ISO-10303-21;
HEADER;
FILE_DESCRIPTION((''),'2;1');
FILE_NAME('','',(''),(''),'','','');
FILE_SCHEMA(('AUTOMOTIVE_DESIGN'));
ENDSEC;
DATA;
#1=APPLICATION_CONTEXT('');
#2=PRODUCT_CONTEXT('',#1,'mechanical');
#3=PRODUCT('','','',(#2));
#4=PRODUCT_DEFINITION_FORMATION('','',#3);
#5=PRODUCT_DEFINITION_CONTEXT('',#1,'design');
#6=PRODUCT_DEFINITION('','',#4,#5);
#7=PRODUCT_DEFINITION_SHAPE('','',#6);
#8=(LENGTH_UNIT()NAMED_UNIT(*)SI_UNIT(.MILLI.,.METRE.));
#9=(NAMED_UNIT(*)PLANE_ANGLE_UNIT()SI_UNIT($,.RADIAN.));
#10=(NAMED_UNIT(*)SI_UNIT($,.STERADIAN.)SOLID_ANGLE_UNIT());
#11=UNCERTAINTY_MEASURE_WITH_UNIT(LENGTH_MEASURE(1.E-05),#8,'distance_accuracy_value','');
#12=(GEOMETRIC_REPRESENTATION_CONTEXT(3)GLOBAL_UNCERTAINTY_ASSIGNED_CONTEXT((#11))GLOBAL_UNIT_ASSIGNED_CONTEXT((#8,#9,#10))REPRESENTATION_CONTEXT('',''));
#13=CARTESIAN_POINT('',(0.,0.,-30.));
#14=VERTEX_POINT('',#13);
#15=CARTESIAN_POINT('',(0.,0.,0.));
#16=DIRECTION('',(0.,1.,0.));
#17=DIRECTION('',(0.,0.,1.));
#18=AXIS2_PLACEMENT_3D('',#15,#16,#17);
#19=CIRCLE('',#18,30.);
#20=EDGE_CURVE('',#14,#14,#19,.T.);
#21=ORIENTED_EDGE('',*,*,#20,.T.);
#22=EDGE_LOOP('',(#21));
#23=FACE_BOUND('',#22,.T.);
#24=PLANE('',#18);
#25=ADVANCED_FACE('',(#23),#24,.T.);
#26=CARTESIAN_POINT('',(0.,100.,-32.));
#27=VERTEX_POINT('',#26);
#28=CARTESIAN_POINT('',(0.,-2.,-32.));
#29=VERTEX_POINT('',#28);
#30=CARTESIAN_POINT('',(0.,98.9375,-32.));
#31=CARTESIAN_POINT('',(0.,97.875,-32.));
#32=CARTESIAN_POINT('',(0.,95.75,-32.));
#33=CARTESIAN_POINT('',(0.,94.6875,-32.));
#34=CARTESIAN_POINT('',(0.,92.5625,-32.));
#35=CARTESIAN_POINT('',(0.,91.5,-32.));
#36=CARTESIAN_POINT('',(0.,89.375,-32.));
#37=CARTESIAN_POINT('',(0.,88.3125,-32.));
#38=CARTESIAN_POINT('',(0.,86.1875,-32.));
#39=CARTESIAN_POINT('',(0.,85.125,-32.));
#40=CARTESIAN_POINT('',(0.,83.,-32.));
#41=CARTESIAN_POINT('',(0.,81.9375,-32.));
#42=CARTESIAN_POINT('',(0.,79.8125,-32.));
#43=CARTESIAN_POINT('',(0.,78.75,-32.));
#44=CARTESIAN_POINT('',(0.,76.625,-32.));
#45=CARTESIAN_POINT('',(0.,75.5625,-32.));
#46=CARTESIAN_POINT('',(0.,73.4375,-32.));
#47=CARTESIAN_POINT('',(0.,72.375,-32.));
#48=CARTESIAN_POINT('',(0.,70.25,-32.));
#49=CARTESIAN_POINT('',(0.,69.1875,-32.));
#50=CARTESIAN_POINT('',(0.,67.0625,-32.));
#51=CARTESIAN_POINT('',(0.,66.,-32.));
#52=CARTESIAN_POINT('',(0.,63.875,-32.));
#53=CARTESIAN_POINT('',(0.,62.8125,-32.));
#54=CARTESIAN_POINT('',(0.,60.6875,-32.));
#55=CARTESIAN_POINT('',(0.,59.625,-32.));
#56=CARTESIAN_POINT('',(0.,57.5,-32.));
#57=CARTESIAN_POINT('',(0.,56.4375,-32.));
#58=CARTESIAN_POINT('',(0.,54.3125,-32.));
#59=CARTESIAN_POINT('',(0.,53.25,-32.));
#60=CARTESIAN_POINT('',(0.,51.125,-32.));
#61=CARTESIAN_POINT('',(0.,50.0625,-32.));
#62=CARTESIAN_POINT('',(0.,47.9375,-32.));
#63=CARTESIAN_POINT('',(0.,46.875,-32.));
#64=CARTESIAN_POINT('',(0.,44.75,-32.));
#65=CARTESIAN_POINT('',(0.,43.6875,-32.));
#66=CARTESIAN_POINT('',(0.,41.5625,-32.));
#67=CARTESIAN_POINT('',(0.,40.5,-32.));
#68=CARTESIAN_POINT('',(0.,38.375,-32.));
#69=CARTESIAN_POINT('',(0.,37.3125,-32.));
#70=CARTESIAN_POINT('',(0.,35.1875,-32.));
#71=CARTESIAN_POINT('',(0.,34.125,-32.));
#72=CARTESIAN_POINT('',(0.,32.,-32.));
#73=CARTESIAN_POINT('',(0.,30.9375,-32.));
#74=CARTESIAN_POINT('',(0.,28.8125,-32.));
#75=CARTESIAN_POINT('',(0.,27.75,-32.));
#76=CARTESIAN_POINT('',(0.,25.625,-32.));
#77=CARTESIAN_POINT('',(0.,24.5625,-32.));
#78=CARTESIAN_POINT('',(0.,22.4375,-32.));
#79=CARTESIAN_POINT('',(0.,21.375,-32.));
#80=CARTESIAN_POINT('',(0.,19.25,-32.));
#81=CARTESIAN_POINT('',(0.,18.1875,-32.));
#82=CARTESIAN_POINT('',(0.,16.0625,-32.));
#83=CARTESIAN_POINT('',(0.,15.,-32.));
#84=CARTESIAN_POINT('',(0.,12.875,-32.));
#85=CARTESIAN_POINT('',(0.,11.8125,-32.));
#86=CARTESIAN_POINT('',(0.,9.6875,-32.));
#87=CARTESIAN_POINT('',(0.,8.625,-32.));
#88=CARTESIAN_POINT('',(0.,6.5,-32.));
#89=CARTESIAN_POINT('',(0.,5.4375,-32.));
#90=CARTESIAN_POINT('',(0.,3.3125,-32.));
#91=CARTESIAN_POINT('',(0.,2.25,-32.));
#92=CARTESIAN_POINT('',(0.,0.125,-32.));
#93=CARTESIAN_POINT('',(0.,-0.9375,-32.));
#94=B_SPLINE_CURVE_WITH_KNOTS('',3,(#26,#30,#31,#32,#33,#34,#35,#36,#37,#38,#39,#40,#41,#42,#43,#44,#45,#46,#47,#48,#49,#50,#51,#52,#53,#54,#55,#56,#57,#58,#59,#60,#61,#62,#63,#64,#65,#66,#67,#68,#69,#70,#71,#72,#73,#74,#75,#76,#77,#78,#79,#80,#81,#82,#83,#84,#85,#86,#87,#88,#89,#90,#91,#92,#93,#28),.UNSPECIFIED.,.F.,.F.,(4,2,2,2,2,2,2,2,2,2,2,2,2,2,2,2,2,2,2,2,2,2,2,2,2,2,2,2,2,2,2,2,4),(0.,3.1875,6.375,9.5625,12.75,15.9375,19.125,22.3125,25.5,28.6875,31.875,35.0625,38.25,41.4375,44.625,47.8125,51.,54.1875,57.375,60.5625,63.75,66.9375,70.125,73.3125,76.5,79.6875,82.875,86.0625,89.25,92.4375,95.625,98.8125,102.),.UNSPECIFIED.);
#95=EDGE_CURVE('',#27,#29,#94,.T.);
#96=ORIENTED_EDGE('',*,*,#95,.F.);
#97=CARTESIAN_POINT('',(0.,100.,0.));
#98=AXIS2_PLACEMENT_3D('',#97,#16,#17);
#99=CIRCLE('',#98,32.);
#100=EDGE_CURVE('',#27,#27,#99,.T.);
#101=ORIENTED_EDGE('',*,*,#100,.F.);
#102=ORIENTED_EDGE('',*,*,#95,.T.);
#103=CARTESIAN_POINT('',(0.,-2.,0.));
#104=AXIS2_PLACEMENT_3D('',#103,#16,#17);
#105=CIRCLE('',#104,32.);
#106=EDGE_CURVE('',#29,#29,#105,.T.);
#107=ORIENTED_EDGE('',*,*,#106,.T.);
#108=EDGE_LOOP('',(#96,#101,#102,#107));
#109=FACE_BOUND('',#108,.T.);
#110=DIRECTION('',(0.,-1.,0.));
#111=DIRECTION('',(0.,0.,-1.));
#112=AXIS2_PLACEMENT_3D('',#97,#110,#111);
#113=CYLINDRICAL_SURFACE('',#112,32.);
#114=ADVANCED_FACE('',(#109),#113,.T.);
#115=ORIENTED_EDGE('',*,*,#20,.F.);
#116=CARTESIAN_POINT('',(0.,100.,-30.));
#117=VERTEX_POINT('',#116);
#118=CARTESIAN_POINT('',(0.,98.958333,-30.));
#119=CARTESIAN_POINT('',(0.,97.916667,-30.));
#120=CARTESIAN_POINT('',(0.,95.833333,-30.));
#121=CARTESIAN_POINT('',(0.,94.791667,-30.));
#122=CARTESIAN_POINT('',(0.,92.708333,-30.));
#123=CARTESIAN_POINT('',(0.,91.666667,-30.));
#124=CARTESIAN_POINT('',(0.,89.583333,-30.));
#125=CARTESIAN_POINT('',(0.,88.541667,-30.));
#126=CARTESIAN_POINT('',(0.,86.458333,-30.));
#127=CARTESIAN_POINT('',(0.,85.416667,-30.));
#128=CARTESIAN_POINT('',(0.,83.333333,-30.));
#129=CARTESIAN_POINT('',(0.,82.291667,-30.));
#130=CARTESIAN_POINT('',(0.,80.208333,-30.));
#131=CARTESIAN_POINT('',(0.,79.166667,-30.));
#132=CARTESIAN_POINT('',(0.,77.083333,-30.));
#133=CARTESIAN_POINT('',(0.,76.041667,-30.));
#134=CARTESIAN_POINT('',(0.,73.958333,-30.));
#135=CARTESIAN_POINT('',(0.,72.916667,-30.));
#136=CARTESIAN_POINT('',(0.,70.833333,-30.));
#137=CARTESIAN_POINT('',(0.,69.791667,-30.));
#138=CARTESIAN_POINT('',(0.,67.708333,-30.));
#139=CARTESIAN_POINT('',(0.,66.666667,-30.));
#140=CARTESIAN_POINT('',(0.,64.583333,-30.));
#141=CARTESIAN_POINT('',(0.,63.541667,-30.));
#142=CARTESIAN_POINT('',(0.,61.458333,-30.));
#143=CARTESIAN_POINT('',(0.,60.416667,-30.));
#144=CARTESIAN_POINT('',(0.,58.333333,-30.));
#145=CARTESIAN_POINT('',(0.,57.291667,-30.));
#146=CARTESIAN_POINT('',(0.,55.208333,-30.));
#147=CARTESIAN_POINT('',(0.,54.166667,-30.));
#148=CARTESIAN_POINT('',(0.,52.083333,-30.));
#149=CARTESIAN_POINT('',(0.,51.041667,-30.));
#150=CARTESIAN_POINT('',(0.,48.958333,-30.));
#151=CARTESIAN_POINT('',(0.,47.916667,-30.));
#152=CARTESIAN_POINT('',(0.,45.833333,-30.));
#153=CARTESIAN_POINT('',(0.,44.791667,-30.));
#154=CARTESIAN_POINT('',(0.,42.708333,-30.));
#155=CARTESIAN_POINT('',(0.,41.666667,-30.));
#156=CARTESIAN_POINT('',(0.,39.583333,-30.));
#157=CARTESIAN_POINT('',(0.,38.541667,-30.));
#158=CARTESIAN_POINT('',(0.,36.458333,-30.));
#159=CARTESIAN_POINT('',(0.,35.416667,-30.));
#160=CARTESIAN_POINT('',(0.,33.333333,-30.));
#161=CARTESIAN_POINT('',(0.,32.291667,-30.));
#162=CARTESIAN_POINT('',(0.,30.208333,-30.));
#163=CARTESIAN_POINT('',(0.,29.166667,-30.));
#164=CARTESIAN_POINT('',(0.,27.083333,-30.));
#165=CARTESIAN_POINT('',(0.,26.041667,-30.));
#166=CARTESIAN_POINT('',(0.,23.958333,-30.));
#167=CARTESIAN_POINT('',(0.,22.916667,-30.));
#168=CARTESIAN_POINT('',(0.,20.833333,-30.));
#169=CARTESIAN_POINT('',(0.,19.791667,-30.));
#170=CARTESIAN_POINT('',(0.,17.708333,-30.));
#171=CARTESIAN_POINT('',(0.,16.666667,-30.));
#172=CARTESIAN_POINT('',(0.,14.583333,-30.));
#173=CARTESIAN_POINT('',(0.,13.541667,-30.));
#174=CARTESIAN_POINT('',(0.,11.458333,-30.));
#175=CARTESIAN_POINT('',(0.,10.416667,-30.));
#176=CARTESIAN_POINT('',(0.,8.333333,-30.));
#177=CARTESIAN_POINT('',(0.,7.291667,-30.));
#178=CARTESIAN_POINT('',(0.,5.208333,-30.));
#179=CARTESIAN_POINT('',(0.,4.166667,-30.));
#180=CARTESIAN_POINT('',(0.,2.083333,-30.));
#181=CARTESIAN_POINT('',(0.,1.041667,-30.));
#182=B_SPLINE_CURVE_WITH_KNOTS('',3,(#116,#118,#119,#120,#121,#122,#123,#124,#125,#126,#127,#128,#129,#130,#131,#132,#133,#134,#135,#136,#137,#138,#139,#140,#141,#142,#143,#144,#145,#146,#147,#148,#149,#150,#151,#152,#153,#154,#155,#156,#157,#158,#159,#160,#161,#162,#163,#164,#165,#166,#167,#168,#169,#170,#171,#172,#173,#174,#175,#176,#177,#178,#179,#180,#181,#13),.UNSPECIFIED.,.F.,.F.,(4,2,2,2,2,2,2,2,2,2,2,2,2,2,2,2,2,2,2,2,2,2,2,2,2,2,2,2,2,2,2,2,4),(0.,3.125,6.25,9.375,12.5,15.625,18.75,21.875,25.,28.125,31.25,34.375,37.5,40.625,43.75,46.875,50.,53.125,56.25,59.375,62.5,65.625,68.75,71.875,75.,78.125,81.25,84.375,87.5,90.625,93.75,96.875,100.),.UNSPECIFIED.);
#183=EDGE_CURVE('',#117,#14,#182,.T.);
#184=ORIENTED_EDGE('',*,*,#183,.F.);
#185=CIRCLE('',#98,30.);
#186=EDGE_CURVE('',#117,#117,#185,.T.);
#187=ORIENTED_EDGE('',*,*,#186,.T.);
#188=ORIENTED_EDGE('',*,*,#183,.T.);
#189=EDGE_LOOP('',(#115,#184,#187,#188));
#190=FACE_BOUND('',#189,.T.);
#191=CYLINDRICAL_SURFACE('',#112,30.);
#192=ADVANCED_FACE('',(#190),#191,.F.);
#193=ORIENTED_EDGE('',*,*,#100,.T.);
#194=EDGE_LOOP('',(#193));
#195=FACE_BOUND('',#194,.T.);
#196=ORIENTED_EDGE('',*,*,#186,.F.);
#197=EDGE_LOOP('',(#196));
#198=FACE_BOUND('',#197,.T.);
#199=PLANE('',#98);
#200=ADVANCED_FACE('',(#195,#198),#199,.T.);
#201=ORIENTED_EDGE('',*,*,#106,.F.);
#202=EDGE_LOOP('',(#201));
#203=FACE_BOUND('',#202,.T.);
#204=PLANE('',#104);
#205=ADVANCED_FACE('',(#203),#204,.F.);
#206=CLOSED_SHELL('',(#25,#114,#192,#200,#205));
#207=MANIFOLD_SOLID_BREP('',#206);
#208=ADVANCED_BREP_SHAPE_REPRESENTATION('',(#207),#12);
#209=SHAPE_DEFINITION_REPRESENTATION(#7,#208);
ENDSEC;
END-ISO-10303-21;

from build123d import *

# Parameters (mm, degrees)
SKETCH1_R           = 30
BOSS_EXTRUDE1_DEPTH = 100
SHELL1_T            = 2


with BuildPart() as part:
    # Sketch1 → Boss-Extrude1 (new body)
    with BuildSketch(Plane(origin=(0, 0, 0), x_dir=(1, 0, 0), z_dir=(0, 1, 0))):
        with Locations(Location((0, 0, 0), (0, 0, 90))):
            Circle(SKETCH1_R)
    extrude(amount=BOSS_EXTRUDE1_DEPTH)

    # Shell1
    shell1_openings = [part.faces().sort_by_distance(p)[0] for p in [
        (0, 100, 0),
    ]]
    offset(amount=SHELL1_T, openings=shell1_openings, kind=Kind.INTERSECTION)


solid = part.part
